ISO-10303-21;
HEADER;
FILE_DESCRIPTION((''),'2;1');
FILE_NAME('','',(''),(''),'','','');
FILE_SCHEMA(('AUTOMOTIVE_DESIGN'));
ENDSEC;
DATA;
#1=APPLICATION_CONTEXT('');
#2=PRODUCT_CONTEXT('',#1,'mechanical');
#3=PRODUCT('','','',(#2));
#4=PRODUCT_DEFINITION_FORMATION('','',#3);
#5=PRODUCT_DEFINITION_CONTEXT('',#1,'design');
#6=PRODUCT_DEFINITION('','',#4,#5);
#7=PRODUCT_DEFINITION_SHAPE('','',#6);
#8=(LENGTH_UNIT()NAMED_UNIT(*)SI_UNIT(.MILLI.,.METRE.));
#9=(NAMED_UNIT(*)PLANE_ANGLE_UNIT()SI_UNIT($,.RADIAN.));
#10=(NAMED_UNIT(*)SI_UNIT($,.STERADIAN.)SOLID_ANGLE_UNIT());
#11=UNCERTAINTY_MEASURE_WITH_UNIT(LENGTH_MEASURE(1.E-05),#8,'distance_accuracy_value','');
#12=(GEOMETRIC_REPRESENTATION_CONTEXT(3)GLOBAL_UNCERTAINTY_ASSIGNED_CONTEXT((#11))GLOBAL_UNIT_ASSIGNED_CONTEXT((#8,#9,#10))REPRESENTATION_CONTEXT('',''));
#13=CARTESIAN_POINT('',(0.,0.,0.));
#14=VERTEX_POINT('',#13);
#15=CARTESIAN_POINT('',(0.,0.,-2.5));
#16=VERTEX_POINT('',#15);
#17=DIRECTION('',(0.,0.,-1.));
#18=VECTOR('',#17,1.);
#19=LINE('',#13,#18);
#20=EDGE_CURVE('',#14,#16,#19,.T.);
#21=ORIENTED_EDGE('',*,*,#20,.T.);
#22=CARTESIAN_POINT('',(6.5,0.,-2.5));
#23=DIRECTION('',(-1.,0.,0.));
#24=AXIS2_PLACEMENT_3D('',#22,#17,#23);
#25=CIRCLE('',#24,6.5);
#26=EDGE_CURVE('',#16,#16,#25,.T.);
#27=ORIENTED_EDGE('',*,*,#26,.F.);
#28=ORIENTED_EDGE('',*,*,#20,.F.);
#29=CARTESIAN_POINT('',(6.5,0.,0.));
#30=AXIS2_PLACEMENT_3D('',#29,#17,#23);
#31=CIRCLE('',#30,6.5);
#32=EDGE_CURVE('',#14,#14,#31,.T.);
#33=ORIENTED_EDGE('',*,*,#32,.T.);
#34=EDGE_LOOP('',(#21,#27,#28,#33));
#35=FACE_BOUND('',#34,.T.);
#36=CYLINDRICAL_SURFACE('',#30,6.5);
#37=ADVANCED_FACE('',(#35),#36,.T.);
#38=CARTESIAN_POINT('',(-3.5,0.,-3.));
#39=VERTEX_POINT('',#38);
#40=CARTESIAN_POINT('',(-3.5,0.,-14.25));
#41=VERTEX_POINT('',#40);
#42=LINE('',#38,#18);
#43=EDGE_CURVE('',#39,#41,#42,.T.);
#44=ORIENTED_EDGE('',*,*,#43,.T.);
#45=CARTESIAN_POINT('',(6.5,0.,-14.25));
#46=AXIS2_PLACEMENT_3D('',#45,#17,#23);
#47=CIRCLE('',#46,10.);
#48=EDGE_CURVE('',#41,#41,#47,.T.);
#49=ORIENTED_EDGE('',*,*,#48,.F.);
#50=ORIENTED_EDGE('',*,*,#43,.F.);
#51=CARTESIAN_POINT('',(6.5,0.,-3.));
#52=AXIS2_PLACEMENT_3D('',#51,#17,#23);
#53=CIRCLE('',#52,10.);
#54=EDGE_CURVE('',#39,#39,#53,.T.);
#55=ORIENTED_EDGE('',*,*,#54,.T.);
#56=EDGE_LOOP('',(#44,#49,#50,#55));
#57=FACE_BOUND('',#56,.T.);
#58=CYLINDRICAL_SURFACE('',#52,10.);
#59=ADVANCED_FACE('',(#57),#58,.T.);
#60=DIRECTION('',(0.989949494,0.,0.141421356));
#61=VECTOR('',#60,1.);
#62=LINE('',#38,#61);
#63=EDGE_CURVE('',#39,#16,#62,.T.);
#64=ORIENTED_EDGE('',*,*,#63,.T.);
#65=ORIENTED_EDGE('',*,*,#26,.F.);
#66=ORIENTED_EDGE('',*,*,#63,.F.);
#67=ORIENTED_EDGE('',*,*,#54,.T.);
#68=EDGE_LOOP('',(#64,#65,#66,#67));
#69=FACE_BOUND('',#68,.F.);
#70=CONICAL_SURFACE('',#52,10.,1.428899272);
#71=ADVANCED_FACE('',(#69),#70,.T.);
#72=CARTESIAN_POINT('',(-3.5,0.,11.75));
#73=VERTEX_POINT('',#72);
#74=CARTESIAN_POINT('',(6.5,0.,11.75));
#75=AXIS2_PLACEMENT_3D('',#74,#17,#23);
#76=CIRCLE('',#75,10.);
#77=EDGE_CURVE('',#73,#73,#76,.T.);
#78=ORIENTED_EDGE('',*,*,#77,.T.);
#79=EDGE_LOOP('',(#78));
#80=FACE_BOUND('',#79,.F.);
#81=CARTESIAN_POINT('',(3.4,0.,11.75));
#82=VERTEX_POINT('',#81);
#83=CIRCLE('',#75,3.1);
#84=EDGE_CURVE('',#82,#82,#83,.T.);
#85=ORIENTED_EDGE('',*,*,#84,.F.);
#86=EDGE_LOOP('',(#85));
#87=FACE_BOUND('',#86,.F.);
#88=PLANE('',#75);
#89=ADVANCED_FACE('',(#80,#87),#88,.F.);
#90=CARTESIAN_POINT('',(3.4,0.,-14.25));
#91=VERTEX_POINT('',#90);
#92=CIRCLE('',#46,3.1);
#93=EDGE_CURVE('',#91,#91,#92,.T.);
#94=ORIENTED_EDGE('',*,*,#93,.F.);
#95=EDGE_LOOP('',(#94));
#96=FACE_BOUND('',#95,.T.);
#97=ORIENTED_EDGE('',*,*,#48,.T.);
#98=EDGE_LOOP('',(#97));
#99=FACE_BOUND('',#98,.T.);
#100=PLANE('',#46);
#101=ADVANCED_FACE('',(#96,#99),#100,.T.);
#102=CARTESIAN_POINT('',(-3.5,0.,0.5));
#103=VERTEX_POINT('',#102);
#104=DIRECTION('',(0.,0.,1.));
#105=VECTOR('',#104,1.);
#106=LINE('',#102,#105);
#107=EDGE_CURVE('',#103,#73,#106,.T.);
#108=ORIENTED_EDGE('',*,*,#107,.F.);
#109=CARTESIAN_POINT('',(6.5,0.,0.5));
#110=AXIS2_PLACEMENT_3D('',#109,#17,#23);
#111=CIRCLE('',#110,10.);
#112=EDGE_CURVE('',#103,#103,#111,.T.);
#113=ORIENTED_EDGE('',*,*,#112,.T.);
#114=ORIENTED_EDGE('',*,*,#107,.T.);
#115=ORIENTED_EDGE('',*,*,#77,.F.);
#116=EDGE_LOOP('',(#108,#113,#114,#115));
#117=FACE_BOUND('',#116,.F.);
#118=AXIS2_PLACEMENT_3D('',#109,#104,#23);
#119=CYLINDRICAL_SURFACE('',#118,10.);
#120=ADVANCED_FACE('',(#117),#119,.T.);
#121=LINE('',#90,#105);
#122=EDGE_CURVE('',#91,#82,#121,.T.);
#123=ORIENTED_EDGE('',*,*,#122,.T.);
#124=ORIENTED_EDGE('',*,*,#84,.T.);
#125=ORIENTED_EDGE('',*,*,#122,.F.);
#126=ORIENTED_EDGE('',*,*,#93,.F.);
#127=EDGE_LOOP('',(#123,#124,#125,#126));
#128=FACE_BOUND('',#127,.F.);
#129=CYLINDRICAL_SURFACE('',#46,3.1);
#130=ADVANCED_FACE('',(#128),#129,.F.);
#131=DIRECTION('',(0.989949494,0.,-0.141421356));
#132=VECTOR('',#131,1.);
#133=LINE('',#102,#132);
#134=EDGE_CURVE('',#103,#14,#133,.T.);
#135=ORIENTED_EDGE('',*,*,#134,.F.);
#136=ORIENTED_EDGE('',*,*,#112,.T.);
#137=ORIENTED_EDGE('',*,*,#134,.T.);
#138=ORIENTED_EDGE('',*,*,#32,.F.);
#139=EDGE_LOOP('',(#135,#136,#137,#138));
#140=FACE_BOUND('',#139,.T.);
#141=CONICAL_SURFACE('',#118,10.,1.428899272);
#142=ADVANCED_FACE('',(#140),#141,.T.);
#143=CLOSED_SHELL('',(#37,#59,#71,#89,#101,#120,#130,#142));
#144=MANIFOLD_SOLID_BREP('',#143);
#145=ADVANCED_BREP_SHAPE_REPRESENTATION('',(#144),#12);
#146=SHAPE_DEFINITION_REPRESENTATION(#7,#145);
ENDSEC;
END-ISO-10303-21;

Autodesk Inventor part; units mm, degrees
ref_plane "YZ Plane" through (0, 0, 0) normal (1, 0, 0) x (0, 1, 0)
ref_plane "XZ Plane" through (0, 0, 0) normal (0, 1, 0) x (-1, 0, 0)
ref_plane "XY Plane" through (0, 0, 0) normal (0, 0, 1) x (1, 0, 0)
sketch "Sketch1" plane through (0, 0, 0) normal (0, 1, 0) x (-1, 0, 0)
  line L0 (0, 0) -> (0, -2.5)
  line L1 (3.5, 0.5) -> (0, 0)
  line L2 (3.5, -3) -> (0, -2.5)
  line L3 (3.5, -3) -> (3.5, -14.25)
  line L4 (3.5, -14.25) -> (-6.5, -14.25)
  line L5 (3.5, 0.5) -> (3.5, 11.75)
  line L6 (3.5, 11.75) -> (-6.5, 11.75)
  line L7 (-6.5, 11.75) -> (-6.5, -14.25)
  dimension "d0" = 2.5
  dimension "d6" = 3.5
  dimension "d9" = 11.25
  dimension "d11" = 10
  dimension "d12" = 90
  dimension "d13" = 11.25
  dimension "d15" = 10
  dimension "d16" = 90
  dimension "d17" = 3.5
  dimension "d18" = 11.75
revolve "Revolution1" add sketch "Sketch1" angle 360 about axis through (6.5, 0, 11.75) along (0, 0, -1)
sketch "Sketch2" plane through (6.5, 0, -14.25) normal (0, 0, -1) x (-1, 0, 0)
  circle A0 centre (0, 0) radius 3.1
  circle A1 centre (0, 0) radius 10 projected
  point P0 (6.5, 0)
  dimension "d20" = 6.2
extrude "Extrusion1" cut sketch "Sketch2" against normal blind 26 contours A0
properties part number "roller" material "ABS Plastic"
